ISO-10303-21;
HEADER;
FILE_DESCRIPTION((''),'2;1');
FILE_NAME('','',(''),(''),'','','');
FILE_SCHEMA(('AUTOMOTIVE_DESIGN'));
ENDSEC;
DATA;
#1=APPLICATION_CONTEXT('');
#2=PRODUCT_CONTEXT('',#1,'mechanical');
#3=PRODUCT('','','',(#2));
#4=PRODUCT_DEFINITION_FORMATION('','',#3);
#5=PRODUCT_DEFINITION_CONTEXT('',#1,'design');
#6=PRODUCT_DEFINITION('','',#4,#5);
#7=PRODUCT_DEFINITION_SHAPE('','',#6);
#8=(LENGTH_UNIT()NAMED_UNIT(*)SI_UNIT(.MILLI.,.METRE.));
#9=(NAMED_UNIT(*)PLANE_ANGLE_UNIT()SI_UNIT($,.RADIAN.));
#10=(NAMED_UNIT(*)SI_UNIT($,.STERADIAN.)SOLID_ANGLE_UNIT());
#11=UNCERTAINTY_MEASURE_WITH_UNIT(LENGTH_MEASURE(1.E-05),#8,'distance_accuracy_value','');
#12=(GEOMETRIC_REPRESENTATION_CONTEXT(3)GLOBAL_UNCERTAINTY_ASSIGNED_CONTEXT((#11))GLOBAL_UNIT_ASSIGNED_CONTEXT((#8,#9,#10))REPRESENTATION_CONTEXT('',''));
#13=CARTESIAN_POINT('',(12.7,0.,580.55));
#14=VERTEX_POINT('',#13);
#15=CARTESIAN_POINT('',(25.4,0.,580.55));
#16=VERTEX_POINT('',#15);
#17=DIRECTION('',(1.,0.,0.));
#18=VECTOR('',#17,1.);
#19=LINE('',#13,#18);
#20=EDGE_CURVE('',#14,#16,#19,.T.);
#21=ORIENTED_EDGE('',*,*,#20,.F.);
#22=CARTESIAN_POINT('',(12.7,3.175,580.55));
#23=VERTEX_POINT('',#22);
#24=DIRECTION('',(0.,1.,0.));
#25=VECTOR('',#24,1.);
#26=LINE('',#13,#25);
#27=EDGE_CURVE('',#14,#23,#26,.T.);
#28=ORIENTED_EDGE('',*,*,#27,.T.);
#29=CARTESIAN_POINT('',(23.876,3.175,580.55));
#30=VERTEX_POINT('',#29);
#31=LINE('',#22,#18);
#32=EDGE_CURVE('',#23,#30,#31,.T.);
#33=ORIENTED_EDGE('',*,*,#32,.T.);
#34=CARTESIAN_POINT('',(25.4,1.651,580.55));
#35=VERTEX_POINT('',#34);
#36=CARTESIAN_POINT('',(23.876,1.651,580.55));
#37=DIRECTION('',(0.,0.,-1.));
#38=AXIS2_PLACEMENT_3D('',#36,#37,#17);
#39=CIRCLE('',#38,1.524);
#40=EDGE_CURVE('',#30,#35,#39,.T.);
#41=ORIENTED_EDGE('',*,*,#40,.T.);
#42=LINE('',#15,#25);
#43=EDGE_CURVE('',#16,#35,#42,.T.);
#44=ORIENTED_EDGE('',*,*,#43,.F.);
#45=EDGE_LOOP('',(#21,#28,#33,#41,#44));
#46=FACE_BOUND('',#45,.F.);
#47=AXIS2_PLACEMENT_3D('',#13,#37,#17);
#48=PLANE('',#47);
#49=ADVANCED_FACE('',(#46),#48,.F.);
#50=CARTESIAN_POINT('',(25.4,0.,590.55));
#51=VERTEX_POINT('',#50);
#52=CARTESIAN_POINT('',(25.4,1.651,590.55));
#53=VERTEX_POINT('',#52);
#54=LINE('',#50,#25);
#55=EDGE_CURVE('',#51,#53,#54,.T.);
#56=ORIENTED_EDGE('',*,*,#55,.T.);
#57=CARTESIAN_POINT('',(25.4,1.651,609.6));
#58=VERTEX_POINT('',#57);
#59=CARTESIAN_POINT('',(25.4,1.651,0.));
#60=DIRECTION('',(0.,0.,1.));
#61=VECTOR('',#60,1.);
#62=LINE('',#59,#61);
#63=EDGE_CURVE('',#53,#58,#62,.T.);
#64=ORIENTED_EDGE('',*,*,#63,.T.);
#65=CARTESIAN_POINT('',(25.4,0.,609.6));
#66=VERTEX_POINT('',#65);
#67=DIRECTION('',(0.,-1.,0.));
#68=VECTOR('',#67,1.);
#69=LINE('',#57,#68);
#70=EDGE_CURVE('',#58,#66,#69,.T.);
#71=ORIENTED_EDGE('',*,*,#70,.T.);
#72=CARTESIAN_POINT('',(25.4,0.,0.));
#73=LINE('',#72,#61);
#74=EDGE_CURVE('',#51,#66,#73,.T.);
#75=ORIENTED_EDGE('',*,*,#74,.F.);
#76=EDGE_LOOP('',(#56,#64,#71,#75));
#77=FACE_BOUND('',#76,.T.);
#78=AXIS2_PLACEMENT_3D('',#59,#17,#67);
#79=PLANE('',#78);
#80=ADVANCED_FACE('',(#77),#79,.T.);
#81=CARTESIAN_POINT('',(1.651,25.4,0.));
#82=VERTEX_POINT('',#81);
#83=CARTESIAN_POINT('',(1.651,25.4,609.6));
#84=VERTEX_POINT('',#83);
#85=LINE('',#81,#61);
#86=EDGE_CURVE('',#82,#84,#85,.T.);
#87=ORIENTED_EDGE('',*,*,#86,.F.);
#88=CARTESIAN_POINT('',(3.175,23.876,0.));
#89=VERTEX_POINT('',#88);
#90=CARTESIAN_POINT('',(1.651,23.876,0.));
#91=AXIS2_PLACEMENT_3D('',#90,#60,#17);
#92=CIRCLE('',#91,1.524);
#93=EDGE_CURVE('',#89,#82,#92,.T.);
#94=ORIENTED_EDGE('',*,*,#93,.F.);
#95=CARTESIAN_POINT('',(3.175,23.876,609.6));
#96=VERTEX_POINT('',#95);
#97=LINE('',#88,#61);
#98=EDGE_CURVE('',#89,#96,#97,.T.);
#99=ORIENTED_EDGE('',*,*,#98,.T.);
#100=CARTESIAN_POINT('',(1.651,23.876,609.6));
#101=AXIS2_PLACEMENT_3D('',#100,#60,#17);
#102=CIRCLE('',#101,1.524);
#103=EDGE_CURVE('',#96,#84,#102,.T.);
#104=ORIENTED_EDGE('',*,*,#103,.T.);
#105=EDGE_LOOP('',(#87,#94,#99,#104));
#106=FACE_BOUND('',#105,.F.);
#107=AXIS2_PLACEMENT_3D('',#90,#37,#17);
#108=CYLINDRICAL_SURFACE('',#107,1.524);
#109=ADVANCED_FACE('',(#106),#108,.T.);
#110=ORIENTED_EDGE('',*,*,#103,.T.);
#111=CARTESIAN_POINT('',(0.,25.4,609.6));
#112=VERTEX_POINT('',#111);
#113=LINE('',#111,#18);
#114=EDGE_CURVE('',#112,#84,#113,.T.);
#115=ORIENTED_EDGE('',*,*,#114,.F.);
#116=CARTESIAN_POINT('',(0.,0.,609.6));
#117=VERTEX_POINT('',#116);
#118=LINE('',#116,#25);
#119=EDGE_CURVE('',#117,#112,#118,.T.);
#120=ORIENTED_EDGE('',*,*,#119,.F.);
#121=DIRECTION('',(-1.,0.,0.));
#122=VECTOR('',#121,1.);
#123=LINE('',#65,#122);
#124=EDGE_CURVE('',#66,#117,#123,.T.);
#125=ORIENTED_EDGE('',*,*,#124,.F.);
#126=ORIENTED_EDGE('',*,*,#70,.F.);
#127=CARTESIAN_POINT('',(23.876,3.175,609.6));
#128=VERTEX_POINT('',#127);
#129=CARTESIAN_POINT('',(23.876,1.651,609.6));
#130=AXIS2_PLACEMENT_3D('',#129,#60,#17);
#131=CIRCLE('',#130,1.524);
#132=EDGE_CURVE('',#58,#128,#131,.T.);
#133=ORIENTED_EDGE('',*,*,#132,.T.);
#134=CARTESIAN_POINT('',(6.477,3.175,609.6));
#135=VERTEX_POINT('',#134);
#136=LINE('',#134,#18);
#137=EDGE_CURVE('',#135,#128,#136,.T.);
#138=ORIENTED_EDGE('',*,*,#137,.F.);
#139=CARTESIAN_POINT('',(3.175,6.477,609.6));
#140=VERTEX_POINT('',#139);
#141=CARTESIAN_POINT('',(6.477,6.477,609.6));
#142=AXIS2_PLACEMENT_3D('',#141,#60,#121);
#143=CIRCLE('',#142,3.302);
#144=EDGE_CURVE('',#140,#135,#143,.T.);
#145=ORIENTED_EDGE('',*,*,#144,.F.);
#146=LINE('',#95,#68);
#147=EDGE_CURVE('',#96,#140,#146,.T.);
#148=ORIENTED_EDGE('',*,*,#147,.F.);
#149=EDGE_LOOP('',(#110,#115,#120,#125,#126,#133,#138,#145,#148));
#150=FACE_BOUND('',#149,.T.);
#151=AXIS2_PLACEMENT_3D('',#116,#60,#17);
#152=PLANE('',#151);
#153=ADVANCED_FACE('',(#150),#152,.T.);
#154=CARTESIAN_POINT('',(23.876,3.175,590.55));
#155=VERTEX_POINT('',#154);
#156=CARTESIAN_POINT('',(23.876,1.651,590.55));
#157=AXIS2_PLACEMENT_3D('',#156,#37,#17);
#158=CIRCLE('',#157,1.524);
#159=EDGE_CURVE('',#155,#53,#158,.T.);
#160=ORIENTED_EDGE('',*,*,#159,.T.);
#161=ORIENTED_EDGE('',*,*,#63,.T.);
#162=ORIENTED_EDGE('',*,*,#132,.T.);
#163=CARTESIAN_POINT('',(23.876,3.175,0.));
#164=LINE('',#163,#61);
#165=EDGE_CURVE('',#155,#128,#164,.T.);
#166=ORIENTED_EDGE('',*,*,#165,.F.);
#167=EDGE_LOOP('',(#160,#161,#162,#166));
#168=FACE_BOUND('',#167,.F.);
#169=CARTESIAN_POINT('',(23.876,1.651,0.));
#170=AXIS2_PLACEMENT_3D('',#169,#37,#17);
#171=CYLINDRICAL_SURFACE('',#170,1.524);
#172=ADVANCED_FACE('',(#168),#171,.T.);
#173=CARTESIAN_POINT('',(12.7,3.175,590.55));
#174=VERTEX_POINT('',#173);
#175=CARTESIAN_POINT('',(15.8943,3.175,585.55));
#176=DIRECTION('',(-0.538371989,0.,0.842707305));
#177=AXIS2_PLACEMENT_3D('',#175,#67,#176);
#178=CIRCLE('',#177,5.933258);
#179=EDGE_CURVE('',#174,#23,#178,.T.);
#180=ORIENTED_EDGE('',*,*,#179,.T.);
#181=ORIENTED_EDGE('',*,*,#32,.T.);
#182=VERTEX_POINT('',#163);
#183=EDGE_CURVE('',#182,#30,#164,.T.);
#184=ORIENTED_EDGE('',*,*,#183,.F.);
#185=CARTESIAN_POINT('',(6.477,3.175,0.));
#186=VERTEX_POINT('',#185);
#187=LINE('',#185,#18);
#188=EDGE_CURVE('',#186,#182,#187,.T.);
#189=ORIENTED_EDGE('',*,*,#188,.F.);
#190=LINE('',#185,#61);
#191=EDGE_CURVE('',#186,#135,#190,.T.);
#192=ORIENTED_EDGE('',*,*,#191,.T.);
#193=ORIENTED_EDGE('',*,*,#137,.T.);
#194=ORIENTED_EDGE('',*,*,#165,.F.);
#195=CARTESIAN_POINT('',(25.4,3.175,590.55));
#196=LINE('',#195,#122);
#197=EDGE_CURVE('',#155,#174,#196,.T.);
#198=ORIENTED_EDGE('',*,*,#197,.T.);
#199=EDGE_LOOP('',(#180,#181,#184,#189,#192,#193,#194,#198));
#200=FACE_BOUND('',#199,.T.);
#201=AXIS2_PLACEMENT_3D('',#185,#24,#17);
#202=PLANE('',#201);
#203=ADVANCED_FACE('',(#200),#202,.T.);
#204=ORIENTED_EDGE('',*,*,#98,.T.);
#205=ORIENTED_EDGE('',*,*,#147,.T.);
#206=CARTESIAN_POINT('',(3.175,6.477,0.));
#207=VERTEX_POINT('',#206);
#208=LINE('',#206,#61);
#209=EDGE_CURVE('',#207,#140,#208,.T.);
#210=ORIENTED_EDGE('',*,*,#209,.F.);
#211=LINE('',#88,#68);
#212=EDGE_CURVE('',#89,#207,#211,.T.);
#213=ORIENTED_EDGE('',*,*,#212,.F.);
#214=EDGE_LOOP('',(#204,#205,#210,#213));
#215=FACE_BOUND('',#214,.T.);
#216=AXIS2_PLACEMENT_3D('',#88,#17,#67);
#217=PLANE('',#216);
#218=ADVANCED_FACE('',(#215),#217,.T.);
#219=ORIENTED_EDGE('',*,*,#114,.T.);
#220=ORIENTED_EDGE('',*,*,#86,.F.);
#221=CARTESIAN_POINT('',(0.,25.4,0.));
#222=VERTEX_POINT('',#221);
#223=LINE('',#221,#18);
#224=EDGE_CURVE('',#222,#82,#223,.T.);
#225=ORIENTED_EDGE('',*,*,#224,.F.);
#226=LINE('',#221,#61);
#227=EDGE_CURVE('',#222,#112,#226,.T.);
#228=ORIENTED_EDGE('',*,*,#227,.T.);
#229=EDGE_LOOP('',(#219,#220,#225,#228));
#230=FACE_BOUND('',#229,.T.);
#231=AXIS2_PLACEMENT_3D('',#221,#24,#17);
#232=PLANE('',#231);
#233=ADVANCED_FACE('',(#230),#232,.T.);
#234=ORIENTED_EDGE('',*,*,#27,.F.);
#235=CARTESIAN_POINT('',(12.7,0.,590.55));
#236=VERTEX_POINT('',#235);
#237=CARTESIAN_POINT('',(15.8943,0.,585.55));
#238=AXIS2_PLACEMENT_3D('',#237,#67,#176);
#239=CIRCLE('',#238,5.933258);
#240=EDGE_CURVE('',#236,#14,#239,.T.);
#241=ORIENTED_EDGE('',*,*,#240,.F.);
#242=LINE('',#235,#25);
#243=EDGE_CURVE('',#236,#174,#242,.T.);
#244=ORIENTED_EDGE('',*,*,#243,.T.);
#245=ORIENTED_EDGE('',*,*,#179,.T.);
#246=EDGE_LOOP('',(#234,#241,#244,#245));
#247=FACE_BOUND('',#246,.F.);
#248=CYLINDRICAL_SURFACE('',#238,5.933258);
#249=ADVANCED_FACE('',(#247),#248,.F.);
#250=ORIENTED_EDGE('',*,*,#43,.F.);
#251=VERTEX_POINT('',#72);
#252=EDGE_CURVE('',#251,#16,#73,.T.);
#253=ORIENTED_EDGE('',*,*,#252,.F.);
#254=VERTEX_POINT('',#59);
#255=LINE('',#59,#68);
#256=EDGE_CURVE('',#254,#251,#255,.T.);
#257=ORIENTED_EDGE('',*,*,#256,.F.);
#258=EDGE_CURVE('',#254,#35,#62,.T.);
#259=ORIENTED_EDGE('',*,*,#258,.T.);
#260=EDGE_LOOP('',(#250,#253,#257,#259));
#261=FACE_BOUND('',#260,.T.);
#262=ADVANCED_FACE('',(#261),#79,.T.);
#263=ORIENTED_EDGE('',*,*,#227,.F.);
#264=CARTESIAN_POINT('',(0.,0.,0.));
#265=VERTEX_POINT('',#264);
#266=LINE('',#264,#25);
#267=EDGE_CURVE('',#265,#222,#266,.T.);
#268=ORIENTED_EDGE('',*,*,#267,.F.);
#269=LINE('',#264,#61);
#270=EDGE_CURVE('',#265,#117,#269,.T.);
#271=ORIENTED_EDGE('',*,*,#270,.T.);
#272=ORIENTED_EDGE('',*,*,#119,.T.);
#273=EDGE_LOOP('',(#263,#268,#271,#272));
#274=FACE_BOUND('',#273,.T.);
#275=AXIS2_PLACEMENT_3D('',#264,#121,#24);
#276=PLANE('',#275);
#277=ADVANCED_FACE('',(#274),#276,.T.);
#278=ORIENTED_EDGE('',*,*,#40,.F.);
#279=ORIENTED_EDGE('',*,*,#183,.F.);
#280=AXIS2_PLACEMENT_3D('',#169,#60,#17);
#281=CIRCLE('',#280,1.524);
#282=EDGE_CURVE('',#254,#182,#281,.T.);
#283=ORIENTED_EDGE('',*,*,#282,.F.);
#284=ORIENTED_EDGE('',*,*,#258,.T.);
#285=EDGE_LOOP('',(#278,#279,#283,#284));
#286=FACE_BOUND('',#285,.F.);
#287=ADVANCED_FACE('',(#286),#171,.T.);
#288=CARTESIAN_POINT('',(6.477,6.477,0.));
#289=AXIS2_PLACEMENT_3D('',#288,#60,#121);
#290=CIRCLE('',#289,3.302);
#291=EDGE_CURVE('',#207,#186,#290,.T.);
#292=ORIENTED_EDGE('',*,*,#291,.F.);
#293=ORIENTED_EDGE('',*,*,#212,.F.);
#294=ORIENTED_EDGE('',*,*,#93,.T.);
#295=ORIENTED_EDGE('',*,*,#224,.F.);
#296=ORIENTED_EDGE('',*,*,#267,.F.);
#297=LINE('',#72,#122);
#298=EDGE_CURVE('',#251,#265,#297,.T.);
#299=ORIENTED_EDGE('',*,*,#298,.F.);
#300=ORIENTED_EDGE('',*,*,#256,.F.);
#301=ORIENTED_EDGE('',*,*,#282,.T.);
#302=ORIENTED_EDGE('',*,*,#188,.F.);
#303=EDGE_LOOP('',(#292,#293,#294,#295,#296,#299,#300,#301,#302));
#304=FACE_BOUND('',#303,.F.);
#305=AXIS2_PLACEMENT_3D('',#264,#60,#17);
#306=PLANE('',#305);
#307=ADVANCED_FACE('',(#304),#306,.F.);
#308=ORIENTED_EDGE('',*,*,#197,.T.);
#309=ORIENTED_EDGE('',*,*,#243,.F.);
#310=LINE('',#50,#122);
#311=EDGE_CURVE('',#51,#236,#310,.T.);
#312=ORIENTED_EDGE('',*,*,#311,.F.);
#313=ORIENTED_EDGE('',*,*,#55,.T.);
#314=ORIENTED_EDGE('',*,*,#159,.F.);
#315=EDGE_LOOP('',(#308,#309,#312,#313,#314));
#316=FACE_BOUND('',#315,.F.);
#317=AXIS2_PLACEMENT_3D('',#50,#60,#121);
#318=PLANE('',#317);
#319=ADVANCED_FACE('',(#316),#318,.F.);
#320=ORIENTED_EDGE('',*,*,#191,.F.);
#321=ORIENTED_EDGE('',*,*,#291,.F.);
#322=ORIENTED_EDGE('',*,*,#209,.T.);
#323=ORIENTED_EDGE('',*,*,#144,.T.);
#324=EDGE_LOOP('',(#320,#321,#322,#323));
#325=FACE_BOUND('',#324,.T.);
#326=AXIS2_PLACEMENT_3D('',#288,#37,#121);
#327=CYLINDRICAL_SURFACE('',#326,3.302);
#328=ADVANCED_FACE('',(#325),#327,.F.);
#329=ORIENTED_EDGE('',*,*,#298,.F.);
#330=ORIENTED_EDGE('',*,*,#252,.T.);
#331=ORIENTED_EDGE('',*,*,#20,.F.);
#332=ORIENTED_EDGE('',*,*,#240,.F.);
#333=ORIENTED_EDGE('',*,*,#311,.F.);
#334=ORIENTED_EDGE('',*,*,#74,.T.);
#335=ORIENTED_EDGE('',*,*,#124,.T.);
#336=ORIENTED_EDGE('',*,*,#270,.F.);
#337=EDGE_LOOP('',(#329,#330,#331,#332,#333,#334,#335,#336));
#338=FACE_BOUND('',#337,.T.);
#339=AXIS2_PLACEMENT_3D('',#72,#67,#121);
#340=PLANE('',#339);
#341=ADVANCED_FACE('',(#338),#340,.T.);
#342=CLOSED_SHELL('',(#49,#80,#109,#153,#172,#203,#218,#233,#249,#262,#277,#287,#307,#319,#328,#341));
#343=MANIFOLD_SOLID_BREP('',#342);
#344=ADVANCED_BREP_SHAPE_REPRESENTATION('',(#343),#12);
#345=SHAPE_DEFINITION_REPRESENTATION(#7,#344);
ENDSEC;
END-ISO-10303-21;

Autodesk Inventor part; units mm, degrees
ref_plane "YZ Plane" through (0, 0, 0) normal (1, 0, 0) x (0, 1, 0)
ref_plane "Start plane" through (0, 0, 0) normal (0, 0, 1) x (1, 0, 0)
ref_plane "End plane" through (0, 0, 609.6) normal (0, 0, 1) x (1, 0, 0)
sketch "Sketch" plane through (0, 0, 0) normal (0, 0, 1) x (1, 0, 0)
  line L0 (25.4, 0) -> (0, 0)
  line L1 (0, 0) -> (0, 25.4)
  line L2 (0, 25.4) -> (1.651, 25.4)
  line L3 (3.175, 23.876) -> (3.175, 6.477)
  line L4 (6.477, 3.175) -> (23.876, 3.175)
  line L5 (25.4, 1.651) -> (25.4, 0)
  line L6 (0, -11.0414) -> (0, 31.5385) construction
  line L7 (-11.0414, 0) -> (31.5385, 0) construction
  arc A0 (3.175, 6.477) -> (6.477, 3.175) centre (6.477, 6.477) ccw
  arc A1 (3.175, 23.876) -> (1.651, 25.4) centre (1.651, 23.876) ccw
  arc A2 (25.4, 1.651) -> (23.876, 3.175) centre (23.876, 1.651) ccw
  line L8 (0, 40.0545) -> (0, -19.5574) construction
  line L9 (-19.5574, 0) -> (40.0545, 0) construction
  point P0 (3.175, 25.4)
  point P1 (3.175, 3.175)
  point P2 (25.4, 3.175)
  dimension "d0" = 25.4
  dimension "d1" = 25.4
  dimension "d2" = 3.175
  dimension "d3" = 3.175
  dimension "d10" = 0
  dimension "d11" = 0
  dimension "d14" = 3.302
  dimension "d15" = 1.524
extrude "Body" add sketch "Sketch" along normal up to surface (609.6 mm away) from surface at 0
sketch "Sketch3" plane through (0, 0, 0) normal (0, 0, 1) x (1, 0, 0)
  line L0 (0, 0) -> (10, 0)
ref_plane "Work Plane3" through (0, 0, 0) normal (0, -1, 0) x (1, 0, 0)
sketch "Sketch4" plane through (0, 0, 0) normal (0, -1, 0) x (1, 0, 0)
  line L0 (-2, 0) -> (12, 0)
  line L1 (-2, 609.6) -> (12, 609.6)
  dimension "d17" = 609.6
sketch "Sketch6" plane through (0, 0, 0) normal (0, -1, 0) x (1, 0, 0)
  line L0 (25.4, 590.55) -> (12.7, 590.55)
  line L1 (12.7, 580.55) -> (25.4, 580.55)
  line L2 (25.4, 580.55) -> (25.4, 590.55)
  arc A0 (12.7, 590.55) -> (12.7, 580.55) centre (15.8943, 585.55) ccw
  line L3 (25.4, 609.6) -> (0, 609.6) projected
  line L4 (25.4, 0) -> (25.4, 609.6) projected
  point P0 (0, 0)
  dimension "d23" = 12.7
  dimension "d24" = 10
  dimension "d28" = 19.05
extrude "Extrusion3" cut sketch "Sketch6" against normal up to surface (3.175 mm away)
equation "\"d0\" = G_H"
equation "\"d1\" = G_H"
equation "\"d2\" = G_T"
equation "\"d3\" = G_T"
equation "\"d14\" = G_IR"
equation "\"d15\" = G_ER"
equation "\"d4\" = G_L"
equation "\"d23\" = axle_inset_up"
equation "\"d28\" = axle_inset_fwd"
equation "\"G_H\" = 25.4"
equation "\"G_T\" = 3.175"
equation "\"G_ER\" = 1.524"
equation "\"G_IR\" = 3.302"
equation "\"G_L\" = d17"
equation "\"ex\" = 0"
equation "\"G_OFFSET_START\" = 0"
equation "\"G_OFFSET_END\" = 0"
equation "\"d13\" = G_OFFSET_END + B_L"
equation "\"B_L\" = 609.6"
equation "\"axle_inset_fwd\" = 19.05"
equation "\"axle_inset_up\" = 12.7"
properties part number "AISC - L 1 x 1 x 1/8 - 24" material "Steel, Mild"
